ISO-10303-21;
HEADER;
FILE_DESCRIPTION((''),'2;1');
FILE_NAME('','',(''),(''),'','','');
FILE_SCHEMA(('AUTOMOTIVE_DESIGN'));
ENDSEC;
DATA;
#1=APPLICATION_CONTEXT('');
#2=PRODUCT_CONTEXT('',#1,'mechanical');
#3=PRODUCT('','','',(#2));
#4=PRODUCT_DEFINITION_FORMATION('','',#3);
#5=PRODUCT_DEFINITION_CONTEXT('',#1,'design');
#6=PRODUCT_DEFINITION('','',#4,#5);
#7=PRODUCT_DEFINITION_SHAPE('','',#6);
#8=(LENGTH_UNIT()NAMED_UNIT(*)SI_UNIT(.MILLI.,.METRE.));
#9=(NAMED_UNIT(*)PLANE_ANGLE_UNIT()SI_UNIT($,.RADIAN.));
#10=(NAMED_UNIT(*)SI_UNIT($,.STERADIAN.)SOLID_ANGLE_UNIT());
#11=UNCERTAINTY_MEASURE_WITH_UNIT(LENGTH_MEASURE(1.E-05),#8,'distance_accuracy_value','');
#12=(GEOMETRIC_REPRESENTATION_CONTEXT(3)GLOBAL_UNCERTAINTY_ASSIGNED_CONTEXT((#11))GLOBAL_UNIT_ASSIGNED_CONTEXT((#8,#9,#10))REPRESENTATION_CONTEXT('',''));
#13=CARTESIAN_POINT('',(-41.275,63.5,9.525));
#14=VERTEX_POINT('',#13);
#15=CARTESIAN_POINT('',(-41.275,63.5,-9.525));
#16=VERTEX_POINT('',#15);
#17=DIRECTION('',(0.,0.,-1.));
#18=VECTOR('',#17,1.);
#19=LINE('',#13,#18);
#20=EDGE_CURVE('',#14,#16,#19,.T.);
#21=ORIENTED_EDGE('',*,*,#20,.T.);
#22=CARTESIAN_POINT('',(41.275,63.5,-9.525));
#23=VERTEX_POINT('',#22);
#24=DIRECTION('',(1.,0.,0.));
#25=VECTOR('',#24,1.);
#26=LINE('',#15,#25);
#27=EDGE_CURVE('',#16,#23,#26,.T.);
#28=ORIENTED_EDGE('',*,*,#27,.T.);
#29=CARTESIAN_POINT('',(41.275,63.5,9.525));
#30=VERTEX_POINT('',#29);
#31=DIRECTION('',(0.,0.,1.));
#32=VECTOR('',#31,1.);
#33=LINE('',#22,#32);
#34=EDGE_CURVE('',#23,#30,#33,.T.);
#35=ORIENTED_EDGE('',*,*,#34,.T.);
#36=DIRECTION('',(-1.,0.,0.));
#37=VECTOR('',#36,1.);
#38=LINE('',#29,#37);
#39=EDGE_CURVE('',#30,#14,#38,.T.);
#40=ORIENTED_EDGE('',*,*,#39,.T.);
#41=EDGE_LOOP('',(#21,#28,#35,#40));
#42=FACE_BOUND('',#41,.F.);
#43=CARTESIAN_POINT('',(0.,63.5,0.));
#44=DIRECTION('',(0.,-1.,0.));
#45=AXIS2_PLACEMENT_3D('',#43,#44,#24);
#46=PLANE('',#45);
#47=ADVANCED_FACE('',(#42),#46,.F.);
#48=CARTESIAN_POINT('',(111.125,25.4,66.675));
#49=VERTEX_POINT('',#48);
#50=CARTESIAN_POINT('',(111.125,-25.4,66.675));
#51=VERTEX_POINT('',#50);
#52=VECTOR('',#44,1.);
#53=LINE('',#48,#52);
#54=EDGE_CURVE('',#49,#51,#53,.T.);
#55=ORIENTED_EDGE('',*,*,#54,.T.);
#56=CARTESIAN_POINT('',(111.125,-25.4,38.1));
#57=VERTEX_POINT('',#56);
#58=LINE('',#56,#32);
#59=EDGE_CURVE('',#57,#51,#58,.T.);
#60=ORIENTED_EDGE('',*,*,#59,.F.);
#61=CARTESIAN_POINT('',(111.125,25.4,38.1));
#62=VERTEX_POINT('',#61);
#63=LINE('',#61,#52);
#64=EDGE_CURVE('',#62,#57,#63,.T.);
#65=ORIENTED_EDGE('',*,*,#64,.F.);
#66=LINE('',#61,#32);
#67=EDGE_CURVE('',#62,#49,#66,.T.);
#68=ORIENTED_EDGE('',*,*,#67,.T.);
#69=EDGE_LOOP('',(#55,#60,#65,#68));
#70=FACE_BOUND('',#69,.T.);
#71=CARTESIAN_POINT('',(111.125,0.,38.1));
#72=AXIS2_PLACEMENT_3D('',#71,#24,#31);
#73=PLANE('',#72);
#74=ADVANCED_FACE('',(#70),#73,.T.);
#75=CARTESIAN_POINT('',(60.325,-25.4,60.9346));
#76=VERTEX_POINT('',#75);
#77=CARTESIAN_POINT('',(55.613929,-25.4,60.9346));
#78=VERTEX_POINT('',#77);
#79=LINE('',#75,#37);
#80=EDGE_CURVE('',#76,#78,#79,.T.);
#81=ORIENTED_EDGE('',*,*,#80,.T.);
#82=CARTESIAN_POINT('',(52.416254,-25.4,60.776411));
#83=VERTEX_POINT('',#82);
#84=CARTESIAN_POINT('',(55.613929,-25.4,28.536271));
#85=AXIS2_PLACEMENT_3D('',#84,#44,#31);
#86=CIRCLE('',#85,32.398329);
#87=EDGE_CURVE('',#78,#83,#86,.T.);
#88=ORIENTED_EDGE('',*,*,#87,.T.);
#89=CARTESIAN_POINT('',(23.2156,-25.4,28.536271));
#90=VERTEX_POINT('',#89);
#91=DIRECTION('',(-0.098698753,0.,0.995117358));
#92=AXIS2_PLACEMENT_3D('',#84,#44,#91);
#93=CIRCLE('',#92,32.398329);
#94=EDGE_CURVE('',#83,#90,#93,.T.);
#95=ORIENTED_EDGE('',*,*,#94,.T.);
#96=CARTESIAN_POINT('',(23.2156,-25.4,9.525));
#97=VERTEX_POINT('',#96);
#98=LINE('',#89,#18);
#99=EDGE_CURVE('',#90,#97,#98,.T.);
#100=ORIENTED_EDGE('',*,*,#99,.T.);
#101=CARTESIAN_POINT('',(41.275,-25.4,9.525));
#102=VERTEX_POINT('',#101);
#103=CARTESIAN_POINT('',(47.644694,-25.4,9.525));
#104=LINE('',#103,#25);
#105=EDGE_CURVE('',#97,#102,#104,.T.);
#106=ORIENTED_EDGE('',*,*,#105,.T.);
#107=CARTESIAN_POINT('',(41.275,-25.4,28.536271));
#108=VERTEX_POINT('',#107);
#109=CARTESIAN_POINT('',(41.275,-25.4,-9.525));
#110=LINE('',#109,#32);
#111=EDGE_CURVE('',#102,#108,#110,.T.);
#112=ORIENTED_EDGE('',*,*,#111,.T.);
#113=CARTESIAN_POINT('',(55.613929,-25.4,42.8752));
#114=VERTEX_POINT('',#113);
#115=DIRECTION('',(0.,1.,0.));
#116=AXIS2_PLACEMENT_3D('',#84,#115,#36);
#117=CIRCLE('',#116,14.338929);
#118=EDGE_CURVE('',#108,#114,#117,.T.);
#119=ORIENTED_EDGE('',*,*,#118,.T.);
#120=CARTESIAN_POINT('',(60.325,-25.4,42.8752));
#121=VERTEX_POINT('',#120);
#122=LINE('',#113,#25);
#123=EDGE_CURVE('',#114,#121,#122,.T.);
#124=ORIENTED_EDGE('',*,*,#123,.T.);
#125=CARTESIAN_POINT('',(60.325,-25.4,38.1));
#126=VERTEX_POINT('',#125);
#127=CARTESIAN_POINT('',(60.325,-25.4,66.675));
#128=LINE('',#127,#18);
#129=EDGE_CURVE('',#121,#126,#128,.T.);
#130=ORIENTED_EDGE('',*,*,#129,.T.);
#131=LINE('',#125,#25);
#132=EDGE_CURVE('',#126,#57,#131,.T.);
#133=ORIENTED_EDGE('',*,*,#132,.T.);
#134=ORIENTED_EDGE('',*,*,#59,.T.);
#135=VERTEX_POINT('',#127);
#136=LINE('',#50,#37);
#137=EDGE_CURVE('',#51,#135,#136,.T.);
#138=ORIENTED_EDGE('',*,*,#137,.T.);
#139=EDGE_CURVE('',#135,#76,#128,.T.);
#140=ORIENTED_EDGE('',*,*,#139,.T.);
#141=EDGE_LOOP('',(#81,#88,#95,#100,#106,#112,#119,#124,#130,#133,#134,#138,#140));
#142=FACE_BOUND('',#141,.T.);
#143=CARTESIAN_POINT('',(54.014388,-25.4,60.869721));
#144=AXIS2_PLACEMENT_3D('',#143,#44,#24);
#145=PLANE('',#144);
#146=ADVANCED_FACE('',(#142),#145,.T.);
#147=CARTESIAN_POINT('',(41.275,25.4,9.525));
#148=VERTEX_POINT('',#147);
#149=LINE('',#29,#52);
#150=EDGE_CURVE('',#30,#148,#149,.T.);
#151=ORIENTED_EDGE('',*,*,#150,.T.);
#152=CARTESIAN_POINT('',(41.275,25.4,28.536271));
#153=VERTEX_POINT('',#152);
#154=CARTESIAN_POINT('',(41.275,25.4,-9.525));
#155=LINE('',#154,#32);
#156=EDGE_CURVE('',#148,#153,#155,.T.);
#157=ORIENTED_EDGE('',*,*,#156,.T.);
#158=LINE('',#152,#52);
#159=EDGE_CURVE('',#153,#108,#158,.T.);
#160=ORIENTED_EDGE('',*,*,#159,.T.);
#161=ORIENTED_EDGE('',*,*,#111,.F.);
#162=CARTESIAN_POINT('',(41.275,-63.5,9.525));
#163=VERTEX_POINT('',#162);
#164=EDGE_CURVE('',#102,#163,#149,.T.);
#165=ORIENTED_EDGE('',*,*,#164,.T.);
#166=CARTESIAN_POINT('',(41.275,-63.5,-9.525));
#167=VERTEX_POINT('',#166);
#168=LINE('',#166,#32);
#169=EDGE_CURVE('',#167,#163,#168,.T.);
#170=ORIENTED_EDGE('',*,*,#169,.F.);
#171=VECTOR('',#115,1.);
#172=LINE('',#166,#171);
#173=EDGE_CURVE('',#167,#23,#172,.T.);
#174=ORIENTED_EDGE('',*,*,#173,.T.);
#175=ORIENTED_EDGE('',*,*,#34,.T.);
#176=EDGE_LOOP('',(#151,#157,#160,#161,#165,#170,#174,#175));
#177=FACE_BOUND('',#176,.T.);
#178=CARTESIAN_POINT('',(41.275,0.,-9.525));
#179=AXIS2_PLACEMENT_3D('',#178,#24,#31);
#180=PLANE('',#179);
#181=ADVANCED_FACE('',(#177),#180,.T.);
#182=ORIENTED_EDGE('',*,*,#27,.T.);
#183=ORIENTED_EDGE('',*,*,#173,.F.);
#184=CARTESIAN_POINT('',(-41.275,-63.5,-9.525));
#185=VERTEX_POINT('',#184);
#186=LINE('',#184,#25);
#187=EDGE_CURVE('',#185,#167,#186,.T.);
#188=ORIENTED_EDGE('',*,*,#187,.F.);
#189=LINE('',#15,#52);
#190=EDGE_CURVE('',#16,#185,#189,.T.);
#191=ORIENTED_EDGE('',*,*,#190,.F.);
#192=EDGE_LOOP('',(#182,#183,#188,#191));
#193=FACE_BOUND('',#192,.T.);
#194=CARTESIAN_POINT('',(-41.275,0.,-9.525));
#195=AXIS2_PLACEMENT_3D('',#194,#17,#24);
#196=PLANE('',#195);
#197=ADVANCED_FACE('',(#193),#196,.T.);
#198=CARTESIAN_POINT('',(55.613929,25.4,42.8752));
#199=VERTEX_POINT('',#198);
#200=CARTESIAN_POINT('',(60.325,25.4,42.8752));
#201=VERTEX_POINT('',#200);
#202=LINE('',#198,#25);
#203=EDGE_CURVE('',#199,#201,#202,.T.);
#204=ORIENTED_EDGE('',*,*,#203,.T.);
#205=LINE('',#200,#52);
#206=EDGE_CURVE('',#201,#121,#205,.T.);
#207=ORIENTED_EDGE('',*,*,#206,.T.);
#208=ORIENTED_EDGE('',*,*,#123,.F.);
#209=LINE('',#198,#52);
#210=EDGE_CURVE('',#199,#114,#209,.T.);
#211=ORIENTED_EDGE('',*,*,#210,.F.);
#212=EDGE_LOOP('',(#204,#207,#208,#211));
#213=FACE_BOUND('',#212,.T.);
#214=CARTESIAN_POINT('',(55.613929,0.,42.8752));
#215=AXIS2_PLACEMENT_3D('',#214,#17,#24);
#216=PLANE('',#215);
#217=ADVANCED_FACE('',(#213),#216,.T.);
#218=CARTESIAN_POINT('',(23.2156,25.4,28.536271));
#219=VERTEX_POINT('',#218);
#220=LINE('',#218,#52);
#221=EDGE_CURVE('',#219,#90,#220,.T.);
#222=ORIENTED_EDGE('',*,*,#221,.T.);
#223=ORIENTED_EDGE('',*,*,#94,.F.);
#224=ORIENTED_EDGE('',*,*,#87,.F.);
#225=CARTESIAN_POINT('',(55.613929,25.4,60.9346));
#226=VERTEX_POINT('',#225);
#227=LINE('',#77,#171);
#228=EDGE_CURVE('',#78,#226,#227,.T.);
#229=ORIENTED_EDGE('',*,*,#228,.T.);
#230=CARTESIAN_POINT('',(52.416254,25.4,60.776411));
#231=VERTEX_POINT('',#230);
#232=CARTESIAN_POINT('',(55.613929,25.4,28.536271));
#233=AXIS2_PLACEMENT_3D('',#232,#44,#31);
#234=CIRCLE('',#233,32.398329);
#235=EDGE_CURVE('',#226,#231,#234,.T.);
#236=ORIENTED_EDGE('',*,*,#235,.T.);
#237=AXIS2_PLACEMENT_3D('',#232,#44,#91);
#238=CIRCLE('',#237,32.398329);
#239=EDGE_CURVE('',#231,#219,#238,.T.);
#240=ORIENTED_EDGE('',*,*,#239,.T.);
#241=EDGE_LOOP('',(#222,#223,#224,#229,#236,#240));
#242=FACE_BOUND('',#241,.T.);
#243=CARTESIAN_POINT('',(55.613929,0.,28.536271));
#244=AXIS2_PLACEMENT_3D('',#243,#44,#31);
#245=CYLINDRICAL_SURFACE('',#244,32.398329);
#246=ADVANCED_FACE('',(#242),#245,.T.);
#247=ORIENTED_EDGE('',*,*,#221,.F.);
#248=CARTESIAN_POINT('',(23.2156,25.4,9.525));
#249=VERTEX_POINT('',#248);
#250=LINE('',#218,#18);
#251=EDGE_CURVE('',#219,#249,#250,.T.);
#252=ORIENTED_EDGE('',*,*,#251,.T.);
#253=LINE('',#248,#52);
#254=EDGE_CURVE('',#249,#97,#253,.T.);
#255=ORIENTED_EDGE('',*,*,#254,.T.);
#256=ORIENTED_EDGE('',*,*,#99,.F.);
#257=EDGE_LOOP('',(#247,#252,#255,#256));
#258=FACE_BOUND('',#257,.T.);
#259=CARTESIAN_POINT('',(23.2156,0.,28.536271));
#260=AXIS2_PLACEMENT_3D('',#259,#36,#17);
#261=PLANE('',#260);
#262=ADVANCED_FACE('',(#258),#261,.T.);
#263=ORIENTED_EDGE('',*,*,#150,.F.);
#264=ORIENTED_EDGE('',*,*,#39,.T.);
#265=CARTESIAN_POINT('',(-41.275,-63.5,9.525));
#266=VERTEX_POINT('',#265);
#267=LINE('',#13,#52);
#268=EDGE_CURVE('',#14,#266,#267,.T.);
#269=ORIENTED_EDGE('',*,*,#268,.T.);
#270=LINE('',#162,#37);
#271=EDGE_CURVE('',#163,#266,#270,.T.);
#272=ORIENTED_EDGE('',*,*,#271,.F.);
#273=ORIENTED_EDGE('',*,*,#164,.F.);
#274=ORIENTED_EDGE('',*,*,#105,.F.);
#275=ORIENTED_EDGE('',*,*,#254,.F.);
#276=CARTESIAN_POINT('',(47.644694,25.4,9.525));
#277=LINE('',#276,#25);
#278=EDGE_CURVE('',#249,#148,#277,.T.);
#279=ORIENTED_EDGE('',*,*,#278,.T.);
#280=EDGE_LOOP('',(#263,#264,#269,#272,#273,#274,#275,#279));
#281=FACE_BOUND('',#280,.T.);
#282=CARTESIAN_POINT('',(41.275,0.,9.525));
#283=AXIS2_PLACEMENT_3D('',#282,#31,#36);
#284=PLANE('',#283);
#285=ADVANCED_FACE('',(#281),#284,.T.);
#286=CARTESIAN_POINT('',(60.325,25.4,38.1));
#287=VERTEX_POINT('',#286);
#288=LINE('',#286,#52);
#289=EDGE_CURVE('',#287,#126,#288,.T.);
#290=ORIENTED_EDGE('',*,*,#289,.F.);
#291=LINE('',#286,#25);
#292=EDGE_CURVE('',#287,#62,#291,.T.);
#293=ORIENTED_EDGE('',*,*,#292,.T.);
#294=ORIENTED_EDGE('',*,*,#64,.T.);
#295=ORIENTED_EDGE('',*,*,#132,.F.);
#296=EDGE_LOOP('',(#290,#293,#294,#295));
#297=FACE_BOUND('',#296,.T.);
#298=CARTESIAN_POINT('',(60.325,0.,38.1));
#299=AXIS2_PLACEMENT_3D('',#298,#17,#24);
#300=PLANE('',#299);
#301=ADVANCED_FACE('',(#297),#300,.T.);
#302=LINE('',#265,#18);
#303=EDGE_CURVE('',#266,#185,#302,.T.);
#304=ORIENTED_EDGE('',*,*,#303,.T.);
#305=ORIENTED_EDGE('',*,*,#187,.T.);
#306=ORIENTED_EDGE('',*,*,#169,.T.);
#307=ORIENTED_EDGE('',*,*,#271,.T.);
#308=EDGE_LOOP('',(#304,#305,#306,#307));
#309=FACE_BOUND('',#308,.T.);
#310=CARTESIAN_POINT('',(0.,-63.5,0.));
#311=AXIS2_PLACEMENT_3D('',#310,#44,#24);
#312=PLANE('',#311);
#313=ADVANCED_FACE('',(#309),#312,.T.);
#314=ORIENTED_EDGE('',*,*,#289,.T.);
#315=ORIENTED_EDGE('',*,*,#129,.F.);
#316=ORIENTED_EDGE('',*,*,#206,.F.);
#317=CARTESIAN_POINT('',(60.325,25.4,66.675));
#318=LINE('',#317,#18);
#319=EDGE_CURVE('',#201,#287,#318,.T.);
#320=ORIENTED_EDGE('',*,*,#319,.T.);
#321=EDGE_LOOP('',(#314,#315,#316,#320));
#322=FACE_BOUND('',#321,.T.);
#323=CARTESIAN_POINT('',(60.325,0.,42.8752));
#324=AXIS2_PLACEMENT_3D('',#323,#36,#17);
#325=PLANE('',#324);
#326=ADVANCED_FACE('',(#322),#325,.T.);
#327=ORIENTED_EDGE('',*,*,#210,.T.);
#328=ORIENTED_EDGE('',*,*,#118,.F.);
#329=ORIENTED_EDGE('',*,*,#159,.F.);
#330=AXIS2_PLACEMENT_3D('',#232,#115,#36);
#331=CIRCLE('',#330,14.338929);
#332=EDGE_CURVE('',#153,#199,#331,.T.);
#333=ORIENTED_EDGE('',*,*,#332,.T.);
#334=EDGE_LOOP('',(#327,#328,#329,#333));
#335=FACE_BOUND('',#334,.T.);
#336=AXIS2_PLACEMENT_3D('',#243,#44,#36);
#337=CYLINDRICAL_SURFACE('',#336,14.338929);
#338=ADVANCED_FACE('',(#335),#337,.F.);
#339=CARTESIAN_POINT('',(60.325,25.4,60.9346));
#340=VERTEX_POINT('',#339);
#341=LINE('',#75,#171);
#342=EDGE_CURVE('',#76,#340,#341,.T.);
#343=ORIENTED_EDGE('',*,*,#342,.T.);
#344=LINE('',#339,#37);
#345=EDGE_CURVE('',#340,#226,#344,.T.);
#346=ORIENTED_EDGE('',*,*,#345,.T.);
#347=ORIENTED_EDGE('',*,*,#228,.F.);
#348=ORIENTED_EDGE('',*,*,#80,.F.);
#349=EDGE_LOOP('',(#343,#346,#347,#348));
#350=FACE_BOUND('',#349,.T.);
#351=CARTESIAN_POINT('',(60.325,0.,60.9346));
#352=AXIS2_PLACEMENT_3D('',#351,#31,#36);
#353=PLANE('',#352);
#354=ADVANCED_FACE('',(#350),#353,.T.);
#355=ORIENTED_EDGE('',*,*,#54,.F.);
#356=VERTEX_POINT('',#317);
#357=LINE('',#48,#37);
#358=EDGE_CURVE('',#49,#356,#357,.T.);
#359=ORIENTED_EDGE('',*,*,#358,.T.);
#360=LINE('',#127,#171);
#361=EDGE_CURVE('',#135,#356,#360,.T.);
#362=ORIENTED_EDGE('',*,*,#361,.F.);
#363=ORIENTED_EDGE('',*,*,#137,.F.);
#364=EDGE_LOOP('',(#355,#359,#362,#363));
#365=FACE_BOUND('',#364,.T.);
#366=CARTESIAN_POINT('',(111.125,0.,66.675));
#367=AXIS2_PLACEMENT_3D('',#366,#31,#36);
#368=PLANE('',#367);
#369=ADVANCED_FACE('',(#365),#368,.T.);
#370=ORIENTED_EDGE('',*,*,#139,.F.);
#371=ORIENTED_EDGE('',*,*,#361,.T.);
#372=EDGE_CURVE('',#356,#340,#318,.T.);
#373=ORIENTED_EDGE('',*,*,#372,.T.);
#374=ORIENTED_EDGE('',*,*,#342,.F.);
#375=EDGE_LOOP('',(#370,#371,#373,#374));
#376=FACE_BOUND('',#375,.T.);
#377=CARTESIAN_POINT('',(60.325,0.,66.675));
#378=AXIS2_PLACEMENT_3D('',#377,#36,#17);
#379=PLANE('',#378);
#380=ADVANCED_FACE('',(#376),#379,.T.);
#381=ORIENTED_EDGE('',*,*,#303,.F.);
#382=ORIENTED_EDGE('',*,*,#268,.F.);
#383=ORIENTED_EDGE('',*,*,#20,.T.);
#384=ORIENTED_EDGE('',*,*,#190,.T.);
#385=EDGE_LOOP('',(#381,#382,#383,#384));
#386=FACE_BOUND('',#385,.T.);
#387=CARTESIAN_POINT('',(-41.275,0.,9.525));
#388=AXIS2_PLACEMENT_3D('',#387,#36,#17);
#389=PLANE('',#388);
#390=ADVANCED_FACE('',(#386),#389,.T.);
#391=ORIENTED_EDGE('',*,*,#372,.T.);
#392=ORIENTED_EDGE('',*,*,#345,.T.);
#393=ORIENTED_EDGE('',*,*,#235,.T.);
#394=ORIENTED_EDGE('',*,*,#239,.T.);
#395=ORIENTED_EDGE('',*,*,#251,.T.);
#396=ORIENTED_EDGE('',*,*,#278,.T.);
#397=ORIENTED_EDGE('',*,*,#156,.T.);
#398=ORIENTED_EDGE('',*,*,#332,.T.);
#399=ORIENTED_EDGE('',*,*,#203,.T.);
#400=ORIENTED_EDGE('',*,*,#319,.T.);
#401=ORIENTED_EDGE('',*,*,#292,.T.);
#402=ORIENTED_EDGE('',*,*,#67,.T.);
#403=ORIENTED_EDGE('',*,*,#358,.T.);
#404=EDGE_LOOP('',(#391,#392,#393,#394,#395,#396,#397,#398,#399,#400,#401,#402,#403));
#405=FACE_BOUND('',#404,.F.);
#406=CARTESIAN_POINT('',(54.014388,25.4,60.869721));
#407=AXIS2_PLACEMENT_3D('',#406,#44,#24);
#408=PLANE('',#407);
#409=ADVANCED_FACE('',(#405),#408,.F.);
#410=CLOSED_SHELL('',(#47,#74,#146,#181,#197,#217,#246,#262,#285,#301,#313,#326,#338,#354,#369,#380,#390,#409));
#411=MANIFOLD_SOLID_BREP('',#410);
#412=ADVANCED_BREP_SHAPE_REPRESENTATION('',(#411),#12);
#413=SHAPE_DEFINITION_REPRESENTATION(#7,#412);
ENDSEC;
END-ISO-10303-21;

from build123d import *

# Parameters (mm, degrees)
F1_DEPTH = 63.5
F0_W     = 25.4
F0_H     = 5.7404
F0_H_2   = 4.7752
F0_H_3   = 18.0594
F2_DEPTH = 25.4


with BuildPart() as f1:
    # F0 (on Front) → F1 (new body, symmetric)
    with BuildSketch(Plane.XZ):
        Polygon((41.275, -9.525), (41.275, 9.525), (23.2156, 9.525), (-41.275, 9.525), (-41.275, -9.525), align=None)
    extrude(amount=F1_DEPTH, both=True)

    # F0 (on Front) → F2 (join, symmetric)
    with BuildSketch(Plane.XZ):
        with BuildLine():
            ThreePointArc((55.6139286177, 60.9346), (54.0131360894, 60.8950284737), (52.4162539977, 60.7764105607))
            add(Edge.make_bspline(
                [(52.4162539977, 60.7764105607), (53.4865602122, 60.8406291902), (54.5527361341, 60.8934228088), (55.6139286177, 60.9346)],
                knots=[107.0385349391, 107.0385349391, 107.0385349391, 107.0385349391, 109.6832323595, 109.6832323595, 109.6832323595, 109.6832323595], degree=3))
        make_face()
        Polygon((41.275, -9.525), (41.275, 9.525), (23.2156, 9.525), (-41.275, 9.525), (-41.275, -9.525), align=None)
        with Locations((73.025, 63.8048)):
            Rectangle(F0_W, F0_H)
        with Locations((73.025, 40.4876)):
            Rectangle(F0_W, F0_H_2)
        Polygon((85.725, 60.9346), (85.725, 42.8752), (85.725, 38.1), (111.125, 38.1), (111.125, 66.675), (85.725, 66.675), align=None)
        with Locations((73.025, 51.9049)):
            Rectangle(F0_W, F0_H_3)
        with BuildLine():
            Line((23.2156, 9.525), (41.275, 9.525))
            Line((41.275, 9.525), (41.275, 28.5362713823))
            ThreePointArc((41.275, 28.5362713823), (45.4747749572, 38.6754250428), (55.6139286177, 42.8752))
            Line((55.6139286177, 42.8752), (60.325, 42.8752))
            Line((60.325, 42.8752), (60.325, 60.9346))
            Line((60.325, 60.9346), (55.6139286177, 60.9346))
            add(Edge.make_bspline(
                [(52.4162539977, 60.7764105607), (53.4865602122, 60.8406291902), (54.5527361341, 60.8934228088), (55.6139286177, 60.9346)],
                knots=[107.0385349391, 107.0385349391, 107.0385349391, 107.0385349391, 109.6832323595, 109.6832323595, 109.6832323595, 109.6832323595], degree=3))
            ThreePointArc((52.4162539977, 60.7764105607), (31.6009007956, 50.2854367004), (23.2156, 28.5362713823))
            Line((23.2156, 28.5362713823), (23.2156, 9.525))
        make_face()
    extrude(amount=F2_DEPTH, both=True)


solid = f1.part
